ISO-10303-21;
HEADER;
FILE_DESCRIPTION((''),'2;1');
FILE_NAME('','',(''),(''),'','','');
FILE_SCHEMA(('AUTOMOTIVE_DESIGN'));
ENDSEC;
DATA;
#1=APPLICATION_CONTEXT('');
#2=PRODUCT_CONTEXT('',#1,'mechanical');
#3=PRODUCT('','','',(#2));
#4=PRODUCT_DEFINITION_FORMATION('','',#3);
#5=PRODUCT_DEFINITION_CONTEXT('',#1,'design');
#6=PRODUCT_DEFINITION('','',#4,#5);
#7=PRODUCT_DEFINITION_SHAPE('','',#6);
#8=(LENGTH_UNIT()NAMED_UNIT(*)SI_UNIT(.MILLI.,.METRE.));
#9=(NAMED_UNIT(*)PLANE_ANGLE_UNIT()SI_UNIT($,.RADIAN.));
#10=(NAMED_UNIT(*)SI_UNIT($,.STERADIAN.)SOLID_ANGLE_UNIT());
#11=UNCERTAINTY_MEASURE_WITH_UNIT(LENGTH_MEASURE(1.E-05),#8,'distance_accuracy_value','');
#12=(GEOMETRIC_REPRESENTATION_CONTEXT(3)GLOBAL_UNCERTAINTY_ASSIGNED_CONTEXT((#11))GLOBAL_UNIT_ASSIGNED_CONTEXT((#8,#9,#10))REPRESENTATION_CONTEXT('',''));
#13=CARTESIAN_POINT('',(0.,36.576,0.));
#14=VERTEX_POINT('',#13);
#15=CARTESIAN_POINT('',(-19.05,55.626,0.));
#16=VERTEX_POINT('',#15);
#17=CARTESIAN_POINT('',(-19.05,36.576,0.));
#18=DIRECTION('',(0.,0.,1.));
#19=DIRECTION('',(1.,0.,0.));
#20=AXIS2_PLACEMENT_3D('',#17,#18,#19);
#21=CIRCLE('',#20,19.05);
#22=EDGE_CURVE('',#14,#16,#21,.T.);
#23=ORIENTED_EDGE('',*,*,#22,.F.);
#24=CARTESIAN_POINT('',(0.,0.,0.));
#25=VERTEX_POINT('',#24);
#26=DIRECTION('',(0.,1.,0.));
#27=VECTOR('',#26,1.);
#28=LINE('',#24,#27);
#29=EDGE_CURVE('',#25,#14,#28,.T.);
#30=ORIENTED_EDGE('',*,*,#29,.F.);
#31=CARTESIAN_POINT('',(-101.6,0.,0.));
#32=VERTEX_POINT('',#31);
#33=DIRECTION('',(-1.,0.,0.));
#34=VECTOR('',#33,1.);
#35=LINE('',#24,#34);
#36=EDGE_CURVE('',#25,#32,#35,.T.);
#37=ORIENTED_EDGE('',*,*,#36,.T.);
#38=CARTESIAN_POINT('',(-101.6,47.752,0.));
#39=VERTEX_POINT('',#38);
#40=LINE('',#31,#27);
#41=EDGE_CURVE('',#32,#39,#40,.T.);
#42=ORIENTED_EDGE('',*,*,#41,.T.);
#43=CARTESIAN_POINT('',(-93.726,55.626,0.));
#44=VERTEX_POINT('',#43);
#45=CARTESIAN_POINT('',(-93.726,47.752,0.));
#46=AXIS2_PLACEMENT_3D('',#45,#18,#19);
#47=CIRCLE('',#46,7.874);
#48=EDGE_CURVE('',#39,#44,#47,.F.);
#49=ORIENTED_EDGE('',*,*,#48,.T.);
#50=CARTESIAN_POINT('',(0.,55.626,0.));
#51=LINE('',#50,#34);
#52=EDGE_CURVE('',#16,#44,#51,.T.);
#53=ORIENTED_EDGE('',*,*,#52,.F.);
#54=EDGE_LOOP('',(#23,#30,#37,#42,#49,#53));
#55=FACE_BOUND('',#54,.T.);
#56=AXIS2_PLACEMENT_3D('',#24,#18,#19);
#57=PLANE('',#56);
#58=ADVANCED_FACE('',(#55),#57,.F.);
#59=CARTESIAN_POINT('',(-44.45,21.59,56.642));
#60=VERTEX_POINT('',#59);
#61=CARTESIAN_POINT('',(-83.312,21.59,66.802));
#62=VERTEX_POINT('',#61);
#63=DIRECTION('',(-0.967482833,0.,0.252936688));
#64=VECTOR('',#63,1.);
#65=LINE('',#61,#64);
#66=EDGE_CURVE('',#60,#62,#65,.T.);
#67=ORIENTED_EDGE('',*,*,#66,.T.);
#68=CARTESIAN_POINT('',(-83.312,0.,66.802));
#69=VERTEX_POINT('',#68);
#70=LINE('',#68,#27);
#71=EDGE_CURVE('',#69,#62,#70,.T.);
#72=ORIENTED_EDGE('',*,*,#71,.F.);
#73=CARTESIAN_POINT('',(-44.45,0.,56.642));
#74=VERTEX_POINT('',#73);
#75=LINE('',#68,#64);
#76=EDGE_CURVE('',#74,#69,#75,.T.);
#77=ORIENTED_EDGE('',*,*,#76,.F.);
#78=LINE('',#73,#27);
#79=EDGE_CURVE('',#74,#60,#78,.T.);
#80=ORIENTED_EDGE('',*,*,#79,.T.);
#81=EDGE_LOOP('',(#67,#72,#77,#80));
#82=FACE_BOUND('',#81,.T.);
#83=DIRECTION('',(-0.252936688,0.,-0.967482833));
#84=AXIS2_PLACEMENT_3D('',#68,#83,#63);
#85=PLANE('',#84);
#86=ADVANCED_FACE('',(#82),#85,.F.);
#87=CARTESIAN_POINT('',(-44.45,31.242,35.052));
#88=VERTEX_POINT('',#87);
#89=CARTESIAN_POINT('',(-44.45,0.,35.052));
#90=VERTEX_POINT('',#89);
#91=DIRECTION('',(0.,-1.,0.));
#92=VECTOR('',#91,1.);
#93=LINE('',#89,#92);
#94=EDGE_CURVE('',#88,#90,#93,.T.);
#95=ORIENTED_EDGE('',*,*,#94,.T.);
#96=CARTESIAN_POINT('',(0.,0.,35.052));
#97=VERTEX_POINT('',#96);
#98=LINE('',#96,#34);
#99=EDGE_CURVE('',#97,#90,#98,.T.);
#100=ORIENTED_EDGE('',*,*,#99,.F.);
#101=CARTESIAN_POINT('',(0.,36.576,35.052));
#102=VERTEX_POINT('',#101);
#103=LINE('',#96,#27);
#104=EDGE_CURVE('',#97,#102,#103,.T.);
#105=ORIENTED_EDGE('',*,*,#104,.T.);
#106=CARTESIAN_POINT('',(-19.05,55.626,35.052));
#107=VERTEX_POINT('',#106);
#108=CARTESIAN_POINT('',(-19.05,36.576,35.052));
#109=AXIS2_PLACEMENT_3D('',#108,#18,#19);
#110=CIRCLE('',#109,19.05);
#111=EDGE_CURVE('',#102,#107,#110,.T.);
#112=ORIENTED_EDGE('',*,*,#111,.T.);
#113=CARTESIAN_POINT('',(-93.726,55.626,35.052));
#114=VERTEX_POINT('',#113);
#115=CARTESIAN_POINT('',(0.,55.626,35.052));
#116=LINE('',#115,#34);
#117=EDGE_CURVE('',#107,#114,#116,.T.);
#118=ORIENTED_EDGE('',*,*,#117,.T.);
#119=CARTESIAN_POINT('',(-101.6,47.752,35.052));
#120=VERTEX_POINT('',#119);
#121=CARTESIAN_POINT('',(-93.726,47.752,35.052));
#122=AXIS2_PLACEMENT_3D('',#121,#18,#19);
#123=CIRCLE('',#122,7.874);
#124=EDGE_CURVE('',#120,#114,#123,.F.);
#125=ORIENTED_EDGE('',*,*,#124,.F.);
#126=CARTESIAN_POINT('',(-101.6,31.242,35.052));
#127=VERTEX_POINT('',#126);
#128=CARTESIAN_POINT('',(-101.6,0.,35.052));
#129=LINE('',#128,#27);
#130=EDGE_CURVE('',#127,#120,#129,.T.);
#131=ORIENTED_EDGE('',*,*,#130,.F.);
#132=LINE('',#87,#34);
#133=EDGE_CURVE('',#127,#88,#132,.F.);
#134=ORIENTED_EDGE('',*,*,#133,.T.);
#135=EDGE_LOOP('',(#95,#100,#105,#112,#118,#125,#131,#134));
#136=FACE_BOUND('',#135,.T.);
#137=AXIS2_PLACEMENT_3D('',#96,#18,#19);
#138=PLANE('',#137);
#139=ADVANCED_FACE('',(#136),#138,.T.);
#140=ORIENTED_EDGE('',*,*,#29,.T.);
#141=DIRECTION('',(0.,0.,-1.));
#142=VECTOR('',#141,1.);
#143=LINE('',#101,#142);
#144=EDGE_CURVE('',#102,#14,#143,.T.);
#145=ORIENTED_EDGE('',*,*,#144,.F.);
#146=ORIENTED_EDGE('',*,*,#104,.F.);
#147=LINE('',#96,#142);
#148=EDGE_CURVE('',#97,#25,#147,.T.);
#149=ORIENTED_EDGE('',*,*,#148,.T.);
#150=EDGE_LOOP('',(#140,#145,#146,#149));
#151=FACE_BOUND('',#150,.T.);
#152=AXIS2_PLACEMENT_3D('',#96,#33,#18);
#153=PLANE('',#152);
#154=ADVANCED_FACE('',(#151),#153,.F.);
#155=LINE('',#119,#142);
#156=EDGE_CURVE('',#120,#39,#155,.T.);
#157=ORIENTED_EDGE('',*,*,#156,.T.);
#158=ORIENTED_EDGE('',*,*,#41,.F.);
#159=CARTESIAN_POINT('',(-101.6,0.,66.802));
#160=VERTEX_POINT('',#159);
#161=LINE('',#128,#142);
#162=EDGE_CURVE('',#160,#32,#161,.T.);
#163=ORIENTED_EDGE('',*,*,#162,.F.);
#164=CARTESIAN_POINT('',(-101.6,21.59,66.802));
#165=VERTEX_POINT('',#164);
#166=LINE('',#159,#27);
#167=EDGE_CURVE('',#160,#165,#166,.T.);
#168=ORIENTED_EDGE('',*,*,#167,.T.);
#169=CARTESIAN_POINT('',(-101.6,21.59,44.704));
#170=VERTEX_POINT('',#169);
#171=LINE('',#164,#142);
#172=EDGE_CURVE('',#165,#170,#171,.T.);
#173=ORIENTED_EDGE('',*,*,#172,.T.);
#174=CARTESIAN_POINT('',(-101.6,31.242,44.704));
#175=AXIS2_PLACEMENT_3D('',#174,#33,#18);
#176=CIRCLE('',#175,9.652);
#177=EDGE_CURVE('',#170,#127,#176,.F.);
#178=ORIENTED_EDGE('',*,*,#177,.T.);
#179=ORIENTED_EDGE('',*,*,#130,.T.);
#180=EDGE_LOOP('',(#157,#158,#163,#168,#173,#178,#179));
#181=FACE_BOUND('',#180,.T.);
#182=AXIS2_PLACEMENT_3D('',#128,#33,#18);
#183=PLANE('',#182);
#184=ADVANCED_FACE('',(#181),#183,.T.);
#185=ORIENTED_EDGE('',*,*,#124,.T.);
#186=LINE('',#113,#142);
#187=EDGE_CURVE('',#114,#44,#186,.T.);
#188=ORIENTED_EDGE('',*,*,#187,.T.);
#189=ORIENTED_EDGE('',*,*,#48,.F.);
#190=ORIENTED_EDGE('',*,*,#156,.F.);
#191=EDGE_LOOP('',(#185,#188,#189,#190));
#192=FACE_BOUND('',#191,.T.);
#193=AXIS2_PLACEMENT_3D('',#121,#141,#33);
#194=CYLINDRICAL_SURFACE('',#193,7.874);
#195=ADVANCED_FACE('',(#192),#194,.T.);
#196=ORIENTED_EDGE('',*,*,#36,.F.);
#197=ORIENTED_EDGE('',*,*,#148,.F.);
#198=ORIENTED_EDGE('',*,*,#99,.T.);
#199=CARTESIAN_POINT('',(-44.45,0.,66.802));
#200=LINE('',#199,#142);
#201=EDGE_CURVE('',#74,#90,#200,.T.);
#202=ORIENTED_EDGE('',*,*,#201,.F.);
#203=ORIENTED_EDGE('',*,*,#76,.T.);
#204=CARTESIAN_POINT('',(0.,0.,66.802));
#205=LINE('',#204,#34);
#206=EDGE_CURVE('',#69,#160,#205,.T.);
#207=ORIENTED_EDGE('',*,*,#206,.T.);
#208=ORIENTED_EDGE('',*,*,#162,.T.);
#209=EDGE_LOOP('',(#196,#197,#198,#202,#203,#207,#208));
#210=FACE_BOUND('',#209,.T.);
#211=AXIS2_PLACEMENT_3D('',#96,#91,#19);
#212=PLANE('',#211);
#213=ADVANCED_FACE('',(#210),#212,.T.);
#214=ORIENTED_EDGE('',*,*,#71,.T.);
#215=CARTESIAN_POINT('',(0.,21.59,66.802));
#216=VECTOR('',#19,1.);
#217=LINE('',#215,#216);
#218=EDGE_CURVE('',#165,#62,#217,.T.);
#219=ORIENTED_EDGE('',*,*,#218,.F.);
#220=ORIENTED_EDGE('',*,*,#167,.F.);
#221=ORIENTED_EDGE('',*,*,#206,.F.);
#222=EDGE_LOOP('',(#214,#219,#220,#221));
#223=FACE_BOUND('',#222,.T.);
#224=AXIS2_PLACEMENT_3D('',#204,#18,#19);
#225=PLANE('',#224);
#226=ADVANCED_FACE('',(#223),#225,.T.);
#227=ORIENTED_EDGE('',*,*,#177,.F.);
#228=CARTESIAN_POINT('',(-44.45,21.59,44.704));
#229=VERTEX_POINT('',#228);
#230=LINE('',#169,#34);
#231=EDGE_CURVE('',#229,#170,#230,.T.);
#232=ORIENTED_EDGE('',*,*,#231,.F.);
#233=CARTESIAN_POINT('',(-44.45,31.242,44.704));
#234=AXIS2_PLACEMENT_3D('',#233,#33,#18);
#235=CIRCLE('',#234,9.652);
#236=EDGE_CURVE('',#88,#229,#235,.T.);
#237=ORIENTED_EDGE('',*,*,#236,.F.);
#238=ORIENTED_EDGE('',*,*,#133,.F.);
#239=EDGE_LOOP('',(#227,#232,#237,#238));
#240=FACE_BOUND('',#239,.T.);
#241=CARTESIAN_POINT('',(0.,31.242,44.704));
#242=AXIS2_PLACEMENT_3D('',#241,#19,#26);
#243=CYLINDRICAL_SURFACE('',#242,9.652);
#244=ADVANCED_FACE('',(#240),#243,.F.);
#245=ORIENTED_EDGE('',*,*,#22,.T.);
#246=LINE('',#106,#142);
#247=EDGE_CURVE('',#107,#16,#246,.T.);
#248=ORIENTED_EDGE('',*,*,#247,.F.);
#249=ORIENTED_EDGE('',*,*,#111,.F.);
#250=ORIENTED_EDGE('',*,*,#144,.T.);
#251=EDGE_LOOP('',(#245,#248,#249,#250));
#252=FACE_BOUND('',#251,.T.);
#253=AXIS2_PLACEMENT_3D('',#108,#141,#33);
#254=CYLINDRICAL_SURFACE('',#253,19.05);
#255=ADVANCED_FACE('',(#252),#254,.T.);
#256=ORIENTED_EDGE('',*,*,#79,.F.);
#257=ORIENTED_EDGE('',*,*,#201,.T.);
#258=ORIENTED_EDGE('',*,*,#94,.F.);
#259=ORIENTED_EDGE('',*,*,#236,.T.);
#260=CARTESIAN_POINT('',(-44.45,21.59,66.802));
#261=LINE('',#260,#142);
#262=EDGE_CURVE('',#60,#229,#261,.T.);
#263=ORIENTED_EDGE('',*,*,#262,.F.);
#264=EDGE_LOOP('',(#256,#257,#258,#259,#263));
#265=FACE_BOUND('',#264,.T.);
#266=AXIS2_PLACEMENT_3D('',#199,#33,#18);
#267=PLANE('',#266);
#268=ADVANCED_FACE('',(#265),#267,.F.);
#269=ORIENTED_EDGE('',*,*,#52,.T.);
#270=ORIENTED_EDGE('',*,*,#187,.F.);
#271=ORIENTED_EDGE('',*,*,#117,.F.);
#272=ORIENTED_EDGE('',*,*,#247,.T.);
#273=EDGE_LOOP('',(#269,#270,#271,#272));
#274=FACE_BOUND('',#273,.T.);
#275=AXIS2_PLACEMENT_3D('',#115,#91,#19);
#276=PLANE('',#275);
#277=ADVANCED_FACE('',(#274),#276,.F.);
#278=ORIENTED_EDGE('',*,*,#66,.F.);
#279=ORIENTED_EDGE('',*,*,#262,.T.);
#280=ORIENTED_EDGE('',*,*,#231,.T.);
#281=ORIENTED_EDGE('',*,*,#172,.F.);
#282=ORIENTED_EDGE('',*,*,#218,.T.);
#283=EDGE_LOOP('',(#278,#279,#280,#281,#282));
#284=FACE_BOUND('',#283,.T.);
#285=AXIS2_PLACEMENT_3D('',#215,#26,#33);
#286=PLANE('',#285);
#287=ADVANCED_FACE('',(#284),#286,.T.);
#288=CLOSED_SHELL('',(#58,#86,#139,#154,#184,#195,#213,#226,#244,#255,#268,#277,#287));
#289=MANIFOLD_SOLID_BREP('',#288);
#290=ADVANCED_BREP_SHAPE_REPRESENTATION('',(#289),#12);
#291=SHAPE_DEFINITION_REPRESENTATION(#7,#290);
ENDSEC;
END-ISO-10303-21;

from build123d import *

# Parameters (mm, degrees)
BOSS_EXTRUDE1_DEPTH = 35.052
SKETCH1_4_W         = 57.15
SKETCH1_4_H         = 21.59
BOSS_EXTRUDE2_DEPTH = 66.802
FILLET1_R           = 9.652
CUT_EXTRUDE1_DEPTH  = 127.267638372


with BuildPart() as part:
    # Sketch1 → Boss-Extrude1 (new body)
    with BuildSketch(Plane.XY):
        with BuildLine():
            Line((0, 0), (0, 36.576))
            ThreePointArc((0, 36.576), (-5.579615818, 50.046384182), (-19.05, 55.626))
            Line((-19.05, 55.626), (-93.726, 55.626))
            ThreePointArc((-93.726, 55.626), (-99.293758795, 53.319758795), (-101.6, 47.752))
            Line((-101.6, 47.752), (-101.6, 0))
            Line((-101.6, 0), (0, 0))
        make_face()
    extrude(amount=BOSS_EXTRUDE1_DEPTH)

    # Sketch1<4> → Boss-Extrude2 (add)
    with BuildSketch(Plane.XY):
        with Locations((-73.025, 10.795)):
            Rectangle(SKETCH1_4_W, SKETCH1_4_H)
    extrude(amount=BOSS_EXTRUDE2_DEPTH)

    # Fillet1
    fillet1_edges = [part.edges().sort_by_distance(p)[0] for p in [
        (-73.025, 21.59, 35.052),
    ]]
    fillet(fillet1_edges, radius=FILLET1_R)

    # Sketch3 → Cut-Extrude1 (cut, through all)
    with BuildSketch(Plane(origin=(0, 21.59, 0), x_dir=(1, 0, 0), z_dir=(0, 1, 0))):
        Polygon((-83.312, -66.802), (-44.45, -56.642), (-44.45, -66.802), align=None)
    extrude(amount=-CUT_EXTRUDE1_DEPTH, mode=Mode.SUBTRACT)


solid = part.part
